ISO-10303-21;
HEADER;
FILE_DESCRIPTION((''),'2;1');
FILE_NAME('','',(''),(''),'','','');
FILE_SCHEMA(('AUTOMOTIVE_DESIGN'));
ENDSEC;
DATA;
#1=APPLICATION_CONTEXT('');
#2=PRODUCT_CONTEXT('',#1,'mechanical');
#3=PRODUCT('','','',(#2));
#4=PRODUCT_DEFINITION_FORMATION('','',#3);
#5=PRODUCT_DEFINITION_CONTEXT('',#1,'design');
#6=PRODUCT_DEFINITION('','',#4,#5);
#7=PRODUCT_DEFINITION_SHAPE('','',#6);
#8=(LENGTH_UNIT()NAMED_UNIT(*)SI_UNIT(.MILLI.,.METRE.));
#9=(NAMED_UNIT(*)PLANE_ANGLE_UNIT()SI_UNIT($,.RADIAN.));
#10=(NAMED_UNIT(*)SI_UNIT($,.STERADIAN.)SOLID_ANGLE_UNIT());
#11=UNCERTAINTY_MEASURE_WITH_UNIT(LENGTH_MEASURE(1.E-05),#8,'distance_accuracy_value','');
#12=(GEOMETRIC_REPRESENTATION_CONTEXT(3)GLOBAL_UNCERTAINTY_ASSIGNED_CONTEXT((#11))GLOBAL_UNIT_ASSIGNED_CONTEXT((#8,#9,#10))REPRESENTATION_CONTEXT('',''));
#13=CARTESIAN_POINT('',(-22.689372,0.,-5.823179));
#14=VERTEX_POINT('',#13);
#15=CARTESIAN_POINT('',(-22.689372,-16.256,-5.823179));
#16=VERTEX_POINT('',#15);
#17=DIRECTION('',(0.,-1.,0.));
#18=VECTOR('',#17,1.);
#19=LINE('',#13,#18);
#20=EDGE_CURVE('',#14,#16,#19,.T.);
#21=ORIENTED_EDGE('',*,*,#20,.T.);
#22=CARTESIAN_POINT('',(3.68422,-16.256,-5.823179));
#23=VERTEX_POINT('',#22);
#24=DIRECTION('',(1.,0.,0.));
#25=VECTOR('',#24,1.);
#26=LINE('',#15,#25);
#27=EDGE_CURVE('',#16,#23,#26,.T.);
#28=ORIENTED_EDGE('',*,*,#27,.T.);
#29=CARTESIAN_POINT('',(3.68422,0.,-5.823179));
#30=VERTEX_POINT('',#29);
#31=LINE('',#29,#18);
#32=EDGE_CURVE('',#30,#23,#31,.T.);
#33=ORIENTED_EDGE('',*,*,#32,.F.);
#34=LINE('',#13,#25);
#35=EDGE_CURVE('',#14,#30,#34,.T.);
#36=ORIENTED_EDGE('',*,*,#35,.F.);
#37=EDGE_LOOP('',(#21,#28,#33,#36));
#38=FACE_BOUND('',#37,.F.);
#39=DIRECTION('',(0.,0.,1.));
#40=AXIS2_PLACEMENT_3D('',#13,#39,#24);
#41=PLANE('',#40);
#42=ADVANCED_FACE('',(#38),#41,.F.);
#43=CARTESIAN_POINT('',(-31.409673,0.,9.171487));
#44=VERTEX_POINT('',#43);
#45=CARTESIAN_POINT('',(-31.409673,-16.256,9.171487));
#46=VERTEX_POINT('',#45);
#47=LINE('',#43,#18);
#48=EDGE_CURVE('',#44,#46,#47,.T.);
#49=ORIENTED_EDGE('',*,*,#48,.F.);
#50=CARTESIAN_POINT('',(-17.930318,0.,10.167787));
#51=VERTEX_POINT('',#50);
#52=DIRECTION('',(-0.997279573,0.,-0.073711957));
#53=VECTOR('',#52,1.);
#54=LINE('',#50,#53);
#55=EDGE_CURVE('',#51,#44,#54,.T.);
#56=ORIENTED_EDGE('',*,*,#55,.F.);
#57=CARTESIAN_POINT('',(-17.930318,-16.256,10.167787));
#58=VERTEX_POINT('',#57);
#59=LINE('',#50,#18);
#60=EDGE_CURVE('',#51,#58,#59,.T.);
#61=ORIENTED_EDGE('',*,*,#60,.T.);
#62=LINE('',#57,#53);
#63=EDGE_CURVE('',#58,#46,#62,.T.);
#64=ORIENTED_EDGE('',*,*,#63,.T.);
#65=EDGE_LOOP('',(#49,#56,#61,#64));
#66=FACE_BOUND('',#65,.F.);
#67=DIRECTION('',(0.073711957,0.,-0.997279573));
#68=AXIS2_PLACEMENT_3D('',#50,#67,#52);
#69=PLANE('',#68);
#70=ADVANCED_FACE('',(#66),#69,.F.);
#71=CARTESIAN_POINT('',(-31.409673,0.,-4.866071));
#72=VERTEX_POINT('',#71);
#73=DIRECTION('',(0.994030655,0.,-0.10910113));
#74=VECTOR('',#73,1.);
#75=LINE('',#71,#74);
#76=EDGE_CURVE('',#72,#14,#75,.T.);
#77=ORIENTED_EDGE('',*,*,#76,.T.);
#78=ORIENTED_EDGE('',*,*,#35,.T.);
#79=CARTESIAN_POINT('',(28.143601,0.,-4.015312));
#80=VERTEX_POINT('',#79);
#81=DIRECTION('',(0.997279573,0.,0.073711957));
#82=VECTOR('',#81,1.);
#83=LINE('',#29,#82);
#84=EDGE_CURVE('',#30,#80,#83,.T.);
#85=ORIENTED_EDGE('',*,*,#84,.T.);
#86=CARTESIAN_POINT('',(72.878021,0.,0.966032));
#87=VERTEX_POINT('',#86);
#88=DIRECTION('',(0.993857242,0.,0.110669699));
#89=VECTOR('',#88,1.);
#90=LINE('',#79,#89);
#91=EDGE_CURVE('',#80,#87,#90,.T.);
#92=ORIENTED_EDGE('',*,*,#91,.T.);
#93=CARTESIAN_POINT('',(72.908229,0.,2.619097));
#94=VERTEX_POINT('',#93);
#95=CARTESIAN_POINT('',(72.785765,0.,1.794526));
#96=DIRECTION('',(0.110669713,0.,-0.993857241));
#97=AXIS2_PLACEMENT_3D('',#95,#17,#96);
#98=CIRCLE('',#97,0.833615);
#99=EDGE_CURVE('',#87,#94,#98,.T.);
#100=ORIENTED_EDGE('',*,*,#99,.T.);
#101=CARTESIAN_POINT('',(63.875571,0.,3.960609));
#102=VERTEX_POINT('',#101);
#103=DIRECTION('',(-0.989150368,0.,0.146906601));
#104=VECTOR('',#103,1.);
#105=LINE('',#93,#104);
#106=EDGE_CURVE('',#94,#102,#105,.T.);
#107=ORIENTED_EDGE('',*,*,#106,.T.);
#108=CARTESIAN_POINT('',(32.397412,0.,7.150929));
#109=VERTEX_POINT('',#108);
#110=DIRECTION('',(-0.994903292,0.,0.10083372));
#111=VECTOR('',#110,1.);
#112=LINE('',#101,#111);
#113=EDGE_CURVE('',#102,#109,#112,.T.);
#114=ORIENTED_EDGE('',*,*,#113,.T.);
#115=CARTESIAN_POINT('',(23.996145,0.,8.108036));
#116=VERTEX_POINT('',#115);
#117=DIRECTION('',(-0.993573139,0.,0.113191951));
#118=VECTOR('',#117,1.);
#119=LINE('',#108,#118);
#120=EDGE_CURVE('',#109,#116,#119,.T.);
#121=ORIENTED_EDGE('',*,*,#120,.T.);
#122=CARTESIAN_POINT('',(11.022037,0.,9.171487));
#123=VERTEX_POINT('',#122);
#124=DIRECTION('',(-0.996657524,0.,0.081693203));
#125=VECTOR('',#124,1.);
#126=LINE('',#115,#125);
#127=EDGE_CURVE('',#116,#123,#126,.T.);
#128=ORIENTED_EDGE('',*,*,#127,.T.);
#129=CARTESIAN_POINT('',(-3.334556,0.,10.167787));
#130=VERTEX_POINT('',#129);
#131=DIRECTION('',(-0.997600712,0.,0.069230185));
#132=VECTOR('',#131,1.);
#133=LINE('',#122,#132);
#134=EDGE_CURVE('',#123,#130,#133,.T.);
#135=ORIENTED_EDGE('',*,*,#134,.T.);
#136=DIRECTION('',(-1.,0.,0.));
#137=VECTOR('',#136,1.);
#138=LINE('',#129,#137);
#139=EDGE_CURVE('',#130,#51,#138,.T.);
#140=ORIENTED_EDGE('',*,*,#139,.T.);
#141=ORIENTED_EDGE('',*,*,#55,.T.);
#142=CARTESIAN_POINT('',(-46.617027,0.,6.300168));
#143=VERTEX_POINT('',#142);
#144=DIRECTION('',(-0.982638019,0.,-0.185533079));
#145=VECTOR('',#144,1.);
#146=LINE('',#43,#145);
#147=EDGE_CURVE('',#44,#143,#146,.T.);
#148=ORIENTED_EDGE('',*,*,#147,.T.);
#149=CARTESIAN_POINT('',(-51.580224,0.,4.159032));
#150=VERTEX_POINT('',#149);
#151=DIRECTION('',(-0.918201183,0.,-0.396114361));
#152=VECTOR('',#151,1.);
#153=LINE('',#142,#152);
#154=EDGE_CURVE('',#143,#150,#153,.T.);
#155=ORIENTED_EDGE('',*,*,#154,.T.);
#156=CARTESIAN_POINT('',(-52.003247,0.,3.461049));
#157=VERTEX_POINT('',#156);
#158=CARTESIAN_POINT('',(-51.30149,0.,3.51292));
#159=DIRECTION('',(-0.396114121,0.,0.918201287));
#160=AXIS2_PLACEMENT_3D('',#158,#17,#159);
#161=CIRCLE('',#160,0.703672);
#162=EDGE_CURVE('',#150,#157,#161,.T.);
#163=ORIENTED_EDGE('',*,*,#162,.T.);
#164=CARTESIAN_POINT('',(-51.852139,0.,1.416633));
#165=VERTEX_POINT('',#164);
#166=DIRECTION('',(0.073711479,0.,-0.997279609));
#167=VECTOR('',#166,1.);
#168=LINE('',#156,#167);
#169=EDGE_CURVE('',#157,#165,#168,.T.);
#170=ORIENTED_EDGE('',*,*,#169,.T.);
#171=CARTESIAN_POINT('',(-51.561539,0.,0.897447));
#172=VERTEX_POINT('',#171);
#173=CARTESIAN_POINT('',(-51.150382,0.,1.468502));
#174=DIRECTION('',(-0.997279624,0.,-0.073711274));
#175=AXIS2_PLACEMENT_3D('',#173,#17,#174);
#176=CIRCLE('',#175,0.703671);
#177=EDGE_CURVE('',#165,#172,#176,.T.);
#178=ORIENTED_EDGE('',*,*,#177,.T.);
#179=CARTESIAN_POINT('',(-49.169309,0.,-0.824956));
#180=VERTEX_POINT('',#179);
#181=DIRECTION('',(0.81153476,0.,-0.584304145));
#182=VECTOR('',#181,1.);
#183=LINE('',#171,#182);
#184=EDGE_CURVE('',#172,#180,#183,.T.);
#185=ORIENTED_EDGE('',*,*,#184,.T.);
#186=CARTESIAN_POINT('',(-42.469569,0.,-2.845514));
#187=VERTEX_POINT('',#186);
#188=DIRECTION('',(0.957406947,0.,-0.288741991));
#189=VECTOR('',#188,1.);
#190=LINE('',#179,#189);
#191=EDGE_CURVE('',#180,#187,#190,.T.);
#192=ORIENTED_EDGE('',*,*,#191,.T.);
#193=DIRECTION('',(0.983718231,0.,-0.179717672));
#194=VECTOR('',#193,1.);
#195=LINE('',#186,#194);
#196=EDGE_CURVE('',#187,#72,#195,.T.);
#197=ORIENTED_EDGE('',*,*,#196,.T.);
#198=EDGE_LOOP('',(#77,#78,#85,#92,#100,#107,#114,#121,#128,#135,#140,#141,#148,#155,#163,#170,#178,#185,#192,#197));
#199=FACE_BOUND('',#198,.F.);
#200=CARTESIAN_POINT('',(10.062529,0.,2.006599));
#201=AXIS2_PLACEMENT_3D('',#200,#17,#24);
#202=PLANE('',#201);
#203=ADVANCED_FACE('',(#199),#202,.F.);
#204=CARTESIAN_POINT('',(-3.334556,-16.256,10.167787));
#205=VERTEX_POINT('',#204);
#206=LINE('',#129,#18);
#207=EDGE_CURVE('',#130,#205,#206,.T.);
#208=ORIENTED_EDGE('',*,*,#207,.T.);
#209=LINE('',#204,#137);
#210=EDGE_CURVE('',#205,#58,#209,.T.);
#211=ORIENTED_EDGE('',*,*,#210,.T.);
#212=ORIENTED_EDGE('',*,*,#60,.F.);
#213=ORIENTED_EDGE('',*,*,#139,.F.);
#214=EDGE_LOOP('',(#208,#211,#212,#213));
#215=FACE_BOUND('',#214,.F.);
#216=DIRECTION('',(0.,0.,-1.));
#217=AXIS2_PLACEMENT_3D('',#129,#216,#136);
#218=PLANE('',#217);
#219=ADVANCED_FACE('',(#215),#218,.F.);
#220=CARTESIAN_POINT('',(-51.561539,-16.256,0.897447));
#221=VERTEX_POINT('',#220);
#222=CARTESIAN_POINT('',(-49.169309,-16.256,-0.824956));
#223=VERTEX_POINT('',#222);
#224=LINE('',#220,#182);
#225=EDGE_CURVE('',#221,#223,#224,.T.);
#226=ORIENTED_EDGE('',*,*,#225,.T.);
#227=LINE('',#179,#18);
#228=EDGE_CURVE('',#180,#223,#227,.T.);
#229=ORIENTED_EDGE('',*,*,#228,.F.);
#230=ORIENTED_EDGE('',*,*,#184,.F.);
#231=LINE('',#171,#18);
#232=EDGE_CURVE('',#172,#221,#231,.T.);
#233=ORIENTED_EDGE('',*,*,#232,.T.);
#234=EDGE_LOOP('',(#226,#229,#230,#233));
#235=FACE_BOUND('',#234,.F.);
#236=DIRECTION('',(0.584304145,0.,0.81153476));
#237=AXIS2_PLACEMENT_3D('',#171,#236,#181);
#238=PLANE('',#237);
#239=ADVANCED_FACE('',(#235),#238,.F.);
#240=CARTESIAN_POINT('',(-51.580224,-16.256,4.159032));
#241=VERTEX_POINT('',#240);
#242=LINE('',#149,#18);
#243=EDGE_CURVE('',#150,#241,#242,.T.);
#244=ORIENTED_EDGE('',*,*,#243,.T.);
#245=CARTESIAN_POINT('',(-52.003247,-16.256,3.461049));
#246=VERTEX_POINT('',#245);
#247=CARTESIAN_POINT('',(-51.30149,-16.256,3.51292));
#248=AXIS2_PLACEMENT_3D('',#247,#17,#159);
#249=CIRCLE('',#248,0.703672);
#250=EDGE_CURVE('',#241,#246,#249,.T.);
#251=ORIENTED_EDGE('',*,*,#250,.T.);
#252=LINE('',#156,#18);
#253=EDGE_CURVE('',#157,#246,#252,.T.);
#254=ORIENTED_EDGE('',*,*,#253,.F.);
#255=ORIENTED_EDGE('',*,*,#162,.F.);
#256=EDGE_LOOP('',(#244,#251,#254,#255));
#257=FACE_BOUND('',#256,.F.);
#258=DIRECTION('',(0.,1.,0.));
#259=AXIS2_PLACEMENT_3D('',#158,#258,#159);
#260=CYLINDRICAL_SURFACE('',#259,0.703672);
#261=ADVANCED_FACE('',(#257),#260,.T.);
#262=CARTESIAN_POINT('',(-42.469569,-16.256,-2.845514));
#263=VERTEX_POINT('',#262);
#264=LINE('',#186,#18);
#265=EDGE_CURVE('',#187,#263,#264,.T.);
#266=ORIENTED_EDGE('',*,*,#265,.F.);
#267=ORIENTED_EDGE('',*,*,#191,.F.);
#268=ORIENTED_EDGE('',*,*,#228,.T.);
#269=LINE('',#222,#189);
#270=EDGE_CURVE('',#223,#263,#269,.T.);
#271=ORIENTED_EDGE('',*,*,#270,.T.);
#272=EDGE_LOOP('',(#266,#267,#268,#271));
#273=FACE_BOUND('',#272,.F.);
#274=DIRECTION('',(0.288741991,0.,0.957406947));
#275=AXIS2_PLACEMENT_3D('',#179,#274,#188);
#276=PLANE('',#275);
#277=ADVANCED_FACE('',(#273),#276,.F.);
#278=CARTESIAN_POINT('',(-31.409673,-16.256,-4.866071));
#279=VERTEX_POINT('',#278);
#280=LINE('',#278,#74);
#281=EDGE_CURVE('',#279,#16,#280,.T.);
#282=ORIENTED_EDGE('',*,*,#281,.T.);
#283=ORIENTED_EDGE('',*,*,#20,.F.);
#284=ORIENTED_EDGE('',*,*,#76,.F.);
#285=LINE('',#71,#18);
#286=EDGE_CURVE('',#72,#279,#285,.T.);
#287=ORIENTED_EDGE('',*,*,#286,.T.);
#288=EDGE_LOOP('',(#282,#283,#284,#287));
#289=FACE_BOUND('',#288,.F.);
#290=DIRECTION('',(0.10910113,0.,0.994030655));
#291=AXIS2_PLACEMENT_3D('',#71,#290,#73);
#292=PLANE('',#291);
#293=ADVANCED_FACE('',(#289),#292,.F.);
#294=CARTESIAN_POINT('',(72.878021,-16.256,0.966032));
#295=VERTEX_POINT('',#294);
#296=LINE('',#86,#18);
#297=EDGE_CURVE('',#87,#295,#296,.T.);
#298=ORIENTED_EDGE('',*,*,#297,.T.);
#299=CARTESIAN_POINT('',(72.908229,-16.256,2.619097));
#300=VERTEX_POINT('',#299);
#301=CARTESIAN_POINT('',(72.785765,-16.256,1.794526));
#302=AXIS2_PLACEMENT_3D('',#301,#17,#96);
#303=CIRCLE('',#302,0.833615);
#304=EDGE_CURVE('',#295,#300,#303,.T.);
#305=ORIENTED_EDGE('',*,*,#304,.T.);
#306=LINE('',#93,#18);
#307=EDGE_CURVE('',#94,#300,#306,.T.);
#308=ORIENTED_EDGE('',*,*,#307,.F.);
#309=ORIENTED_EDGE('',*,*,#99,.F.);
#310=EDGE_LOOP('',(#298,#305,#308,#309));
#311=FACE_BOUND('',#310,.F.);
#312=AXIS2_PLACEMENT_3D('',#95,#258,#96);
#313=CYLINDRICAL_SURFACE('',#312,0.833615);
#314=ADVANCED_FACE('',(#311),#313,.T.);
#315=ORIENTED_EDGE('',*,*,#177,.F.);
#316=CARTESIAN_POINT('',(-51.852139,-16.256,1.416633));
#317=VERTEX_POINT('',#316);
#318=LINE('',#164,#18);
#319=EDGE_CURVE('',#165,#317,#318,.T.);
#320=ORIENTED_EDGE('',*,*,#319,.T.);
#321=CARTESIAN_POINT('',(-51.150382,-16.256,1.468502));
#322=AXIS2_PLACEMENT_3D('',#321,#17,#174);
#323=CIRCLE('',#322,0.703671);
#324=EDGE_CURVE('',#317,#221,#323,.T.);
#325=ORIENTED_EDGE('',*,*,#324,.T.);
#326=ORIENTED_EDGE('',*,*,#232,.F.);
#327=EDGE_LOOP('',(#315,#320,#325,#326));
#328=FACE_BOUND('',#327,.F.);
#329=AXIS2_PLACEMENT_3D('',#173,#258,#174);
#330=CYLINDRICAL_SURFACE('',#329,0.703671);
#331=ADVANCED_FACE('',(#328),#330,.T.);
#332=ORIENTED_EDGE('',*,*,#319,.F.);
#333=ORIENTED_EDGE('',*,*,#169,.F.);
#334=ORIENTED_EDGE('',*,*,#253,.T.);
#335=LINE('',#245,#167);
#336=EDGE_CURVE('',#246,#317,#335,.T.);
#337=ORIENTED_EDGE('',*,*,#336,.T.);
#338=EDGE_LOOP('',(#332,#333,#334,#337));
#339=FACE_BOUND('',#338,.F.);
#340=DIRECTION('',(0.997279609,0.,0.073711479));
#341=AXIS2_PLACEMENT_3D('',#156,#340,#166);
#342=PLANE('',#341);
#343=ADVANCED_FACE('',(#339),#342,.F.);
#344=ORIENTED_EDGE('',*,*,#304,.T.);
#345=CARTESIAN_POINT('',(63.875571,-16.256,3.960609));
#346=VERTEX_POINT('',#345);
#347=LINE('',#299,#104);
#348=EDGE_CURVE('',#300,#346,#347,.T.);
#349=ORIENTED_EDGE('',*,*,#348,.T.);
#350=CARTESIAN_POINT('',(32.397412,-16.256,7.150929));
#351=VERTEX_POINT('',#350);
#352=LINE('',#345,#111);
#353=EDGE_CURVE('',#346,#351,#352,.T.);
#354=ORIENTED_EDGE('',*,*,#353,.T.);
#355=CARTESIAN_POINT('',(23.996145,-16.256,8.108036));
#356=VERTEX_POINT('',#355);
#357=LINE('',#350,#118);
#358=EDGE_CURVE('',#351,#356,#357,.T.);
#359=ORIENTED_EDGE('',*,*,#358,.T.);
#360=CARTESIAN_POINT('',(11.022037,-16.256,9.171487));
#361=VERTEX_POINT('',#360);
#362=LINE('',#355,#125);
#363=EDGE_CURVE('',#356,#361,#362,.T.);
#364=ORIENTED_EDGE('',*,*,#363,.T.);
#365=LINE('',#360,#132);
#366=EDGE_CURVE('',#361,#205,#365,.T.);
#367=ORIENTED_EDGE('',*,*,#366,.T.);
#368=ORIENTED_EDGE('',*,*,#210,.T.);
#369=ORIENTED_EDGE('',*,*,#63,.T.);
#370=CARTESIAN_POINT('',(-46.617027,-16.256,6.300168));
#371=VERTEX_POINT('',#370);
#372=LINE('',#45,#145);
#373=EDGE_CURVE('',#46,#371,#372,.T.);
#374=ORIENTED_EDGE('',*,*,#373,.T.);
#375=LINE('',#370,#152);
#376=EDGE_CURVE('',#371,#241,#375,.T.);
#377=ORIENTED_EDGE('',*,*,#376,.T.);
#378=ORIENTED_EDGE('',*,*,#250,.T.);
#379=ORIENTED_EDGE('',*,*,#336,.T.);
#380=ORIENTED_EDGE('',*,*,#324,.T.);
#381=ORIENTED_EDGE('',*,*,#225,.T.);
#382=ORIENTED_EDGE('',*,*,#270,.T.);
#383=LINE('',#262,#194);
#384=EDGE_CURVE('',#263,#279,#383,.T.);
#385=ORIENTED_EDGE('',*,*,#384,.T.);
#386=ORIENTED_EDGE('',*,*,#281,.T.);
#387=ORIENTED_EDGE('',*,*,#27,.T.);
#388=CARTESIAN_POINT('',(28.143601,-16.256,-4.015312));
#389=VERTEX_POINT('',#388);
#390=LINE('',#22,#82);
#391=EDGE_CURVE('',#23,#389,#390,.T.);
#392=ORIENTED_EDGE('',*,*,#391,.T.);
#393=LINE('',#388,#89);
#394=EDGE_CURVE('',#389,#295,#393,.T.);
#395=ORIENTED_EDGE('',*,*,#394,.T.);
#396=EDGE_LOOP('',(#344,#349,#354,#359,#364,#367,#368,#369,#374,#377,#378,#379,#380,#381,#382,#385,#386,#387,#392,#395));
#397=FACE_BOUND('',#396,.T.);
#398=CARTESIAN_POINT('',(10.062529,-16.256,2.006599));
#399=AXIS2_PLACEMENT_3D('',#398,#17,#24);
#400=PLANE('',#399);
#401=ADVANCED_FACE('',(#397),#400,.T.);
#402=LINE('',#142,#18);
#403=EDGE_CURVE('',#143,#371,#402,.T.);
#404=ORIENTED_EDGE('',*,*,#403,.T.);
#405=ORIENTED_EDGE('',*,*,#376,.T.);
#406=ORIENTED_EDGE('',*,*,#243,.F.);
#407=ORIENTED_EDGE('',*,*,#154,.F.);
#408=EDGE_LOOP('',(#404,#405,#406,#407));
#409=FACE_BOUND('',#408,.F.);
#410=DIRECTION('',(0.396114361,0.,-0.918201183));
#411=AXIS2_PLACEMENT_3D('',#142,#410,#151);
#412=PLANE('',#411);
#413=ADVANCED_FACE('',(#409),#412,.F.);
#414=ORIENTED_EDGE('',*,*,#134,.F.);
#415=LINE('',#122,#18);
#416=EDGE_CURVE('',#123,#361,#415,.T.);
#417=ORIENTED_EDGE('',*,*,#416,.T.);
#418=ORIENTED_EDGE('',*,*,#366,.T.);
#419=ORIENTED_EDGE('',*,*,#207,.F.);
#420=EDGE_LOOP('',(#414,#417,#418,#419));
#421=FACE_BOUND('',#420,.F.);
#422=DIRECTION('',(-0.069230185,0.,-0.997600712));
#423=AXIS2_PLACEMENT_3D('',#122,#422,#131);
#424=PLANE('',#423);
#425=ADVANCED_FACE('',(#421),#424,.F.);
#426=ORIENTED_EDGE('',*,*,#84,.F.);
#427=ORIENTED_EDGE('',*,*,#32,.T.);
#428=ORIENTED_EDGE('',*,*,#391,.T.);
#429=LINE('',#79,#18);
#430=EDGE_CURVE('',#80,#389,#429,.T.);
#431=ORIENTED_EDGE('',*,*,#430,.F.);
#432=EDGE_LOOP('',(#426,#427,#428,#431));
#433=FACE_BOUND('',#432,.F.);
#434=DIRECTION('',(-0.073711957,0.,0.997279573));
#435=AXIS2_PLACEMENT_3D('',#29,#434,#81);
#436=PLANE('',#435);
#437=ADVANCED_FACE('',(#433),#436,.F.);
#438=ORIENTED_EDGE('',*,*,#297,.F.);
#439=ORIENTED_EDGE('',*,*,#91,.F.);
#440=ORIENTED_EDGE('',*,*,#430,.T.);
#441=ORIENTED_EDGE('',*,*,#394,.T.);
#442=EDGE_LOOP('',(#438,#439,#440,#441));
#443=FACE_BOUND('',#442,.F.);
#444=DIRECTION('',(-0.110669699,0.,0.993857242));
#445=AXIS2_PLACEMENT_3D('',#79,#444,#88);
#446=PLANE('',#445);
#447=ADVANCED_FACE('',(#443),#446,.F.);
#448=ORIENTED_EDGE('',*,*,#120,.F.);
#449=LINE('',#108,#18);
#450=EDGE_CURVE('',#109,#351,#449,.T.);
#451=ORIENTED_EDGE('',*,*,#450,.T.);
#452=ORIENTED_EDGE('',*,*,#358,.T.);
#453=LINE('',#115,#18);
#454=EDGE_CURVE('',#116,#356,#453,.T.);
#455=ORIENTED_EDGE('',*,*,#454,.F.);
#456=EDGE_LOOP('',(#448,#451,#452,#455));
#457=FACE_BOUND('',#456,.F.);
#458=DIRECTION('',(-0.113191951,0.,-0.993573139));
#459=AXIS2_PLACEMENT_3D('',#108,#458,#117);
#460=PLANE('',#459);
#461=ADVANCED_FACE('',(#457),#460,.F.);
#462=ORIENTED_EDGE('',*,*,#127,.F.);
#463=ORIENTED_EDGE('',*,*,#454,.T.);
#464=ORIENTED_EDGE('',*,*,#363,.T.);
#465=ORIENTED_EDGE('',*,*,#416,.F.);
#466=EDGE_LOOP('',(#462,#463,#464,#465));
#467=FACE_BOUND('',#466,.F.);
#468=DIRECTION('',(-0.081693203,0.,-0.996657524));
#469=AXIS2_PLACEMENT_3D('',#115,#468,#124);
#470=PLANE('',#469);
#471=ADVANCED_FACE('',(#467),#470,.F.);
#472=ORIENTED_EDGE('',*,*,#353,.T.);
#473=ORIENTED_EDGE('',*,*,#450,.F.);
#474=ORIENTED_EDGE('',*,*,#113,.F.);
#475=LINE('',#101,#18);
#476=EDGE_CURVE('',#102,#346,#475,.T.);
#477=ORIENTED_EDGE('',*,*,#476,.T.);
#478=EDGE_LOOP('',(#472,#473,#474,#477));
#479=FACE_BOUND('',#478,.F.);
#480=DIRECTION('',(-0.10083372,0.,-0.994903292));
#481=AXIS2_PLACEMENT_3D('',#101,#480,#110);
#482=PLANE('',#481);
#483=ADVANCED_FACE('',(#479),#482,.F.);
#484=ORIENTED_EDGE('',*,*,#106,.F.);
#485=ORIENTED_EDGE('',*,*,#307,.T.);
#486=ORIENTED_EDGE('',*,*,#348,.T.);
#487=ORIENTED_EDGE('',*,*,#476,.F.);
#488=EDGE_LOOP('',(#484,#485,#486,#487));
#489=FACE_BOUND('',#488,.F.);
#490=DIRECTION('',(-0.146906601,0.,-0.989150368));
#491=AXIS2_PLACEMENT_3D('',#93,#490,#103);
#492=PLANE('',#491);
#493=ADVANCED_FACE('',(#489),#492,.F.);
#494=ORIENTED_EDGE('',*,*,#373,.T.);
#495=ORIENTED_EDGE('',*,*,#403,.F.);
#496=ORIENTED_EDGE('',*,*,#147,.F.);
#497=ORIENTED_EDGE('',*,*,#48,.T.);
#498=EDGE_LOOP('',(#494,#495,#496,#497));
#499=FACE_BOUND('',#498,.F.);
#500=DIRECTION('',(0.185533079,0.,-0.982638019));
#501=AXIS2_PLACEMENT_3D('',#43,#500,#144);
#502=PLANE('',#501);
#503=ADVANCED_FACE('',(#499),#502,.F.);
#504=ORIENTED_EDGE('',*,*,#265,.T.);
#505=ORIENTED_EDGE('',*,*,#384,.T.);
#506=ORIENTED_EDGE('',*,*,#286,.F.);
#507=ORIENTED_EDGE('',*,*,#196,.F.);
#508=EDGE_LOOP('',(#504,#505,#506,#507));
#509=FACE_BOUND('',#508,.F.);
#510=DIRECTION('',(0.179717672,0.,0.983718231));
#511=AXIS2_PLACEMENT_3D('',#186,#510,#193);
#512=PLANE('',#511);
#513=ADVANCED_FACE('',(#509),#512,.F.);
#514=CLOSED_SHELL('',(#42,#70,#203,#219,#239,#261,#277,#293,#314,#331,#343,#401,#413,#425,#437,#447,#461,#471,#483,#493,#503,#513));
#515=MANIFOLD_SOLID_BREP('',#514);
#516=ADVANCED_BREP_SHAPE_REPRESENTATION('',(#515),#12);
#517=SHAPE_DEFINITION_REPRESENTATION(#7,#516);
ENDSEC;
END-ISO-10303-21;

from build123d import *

# Parameters (mm, degrees)
F1_DEPTH = 16.256


with BuildPart() as f1:
    # F0 (on Front) → F1 (new body)
    with BuildSketch(Plane.XZ):
        with BuildLine():
            Line((28.143601, -4.015312), (72.878021, 0.966032))
            ThreePointArc((72.878021, 0.966032), (73.619241, 1.779296), (72.908229, 2.619097))
            Line((72.908229, 2.619097), (63.875571, 3.960609))
            Line((63.875571, 3.960609), (32.397412, 7.150929))
            Line((32.397412, 7.150929), (23.996145, 8.108036))
            Line((23.996145, 8.108036), (11.022037, 9.171487))
            Line((11.022037, 9.171487), (-3.334556, 10.167787))
            Line((-3.334556, 10.167787), (-17.930318, 10.167787))
            Line((-17.930318, 10.167787), (-31.409673, 9.171487))
            Line((-31.409673, 9.171487), (-46.617027, 6.300168))
            Line((-46.617027, 6.300168), (-51.580224, 4.159032))
            ThreePointArc((-51.580224, 4.159032), (-51.903267, 3.877636), (-52.003247, 3.461049))
            Line((-52.003247, 3.461049), (-51.852139, 1.416633))
            ThreePointArc((-51.852139, 1.416633), (-51.764412, 1.124815), (-51.561539, 0.897447))
            Line((-51.561539, 0.897447), (-49.169309, -0.824956))
            Line((-49.169309, -0.824956), (-42.469569, -2.845514))
            Line((-42.469569, -2.845514), (-31.409673, -4.866071))
            Line((-31.409673, -4.866071), (-22.689372, -5.823179))
            Line((-22.689372, -5.823179), (3.68422, -5.823179))
            Line((3.68422, -5.823179), (28.143601, -4.015312))
        make_face()
    extrude(amount=F1_DEPTH)


solid = f1.part
